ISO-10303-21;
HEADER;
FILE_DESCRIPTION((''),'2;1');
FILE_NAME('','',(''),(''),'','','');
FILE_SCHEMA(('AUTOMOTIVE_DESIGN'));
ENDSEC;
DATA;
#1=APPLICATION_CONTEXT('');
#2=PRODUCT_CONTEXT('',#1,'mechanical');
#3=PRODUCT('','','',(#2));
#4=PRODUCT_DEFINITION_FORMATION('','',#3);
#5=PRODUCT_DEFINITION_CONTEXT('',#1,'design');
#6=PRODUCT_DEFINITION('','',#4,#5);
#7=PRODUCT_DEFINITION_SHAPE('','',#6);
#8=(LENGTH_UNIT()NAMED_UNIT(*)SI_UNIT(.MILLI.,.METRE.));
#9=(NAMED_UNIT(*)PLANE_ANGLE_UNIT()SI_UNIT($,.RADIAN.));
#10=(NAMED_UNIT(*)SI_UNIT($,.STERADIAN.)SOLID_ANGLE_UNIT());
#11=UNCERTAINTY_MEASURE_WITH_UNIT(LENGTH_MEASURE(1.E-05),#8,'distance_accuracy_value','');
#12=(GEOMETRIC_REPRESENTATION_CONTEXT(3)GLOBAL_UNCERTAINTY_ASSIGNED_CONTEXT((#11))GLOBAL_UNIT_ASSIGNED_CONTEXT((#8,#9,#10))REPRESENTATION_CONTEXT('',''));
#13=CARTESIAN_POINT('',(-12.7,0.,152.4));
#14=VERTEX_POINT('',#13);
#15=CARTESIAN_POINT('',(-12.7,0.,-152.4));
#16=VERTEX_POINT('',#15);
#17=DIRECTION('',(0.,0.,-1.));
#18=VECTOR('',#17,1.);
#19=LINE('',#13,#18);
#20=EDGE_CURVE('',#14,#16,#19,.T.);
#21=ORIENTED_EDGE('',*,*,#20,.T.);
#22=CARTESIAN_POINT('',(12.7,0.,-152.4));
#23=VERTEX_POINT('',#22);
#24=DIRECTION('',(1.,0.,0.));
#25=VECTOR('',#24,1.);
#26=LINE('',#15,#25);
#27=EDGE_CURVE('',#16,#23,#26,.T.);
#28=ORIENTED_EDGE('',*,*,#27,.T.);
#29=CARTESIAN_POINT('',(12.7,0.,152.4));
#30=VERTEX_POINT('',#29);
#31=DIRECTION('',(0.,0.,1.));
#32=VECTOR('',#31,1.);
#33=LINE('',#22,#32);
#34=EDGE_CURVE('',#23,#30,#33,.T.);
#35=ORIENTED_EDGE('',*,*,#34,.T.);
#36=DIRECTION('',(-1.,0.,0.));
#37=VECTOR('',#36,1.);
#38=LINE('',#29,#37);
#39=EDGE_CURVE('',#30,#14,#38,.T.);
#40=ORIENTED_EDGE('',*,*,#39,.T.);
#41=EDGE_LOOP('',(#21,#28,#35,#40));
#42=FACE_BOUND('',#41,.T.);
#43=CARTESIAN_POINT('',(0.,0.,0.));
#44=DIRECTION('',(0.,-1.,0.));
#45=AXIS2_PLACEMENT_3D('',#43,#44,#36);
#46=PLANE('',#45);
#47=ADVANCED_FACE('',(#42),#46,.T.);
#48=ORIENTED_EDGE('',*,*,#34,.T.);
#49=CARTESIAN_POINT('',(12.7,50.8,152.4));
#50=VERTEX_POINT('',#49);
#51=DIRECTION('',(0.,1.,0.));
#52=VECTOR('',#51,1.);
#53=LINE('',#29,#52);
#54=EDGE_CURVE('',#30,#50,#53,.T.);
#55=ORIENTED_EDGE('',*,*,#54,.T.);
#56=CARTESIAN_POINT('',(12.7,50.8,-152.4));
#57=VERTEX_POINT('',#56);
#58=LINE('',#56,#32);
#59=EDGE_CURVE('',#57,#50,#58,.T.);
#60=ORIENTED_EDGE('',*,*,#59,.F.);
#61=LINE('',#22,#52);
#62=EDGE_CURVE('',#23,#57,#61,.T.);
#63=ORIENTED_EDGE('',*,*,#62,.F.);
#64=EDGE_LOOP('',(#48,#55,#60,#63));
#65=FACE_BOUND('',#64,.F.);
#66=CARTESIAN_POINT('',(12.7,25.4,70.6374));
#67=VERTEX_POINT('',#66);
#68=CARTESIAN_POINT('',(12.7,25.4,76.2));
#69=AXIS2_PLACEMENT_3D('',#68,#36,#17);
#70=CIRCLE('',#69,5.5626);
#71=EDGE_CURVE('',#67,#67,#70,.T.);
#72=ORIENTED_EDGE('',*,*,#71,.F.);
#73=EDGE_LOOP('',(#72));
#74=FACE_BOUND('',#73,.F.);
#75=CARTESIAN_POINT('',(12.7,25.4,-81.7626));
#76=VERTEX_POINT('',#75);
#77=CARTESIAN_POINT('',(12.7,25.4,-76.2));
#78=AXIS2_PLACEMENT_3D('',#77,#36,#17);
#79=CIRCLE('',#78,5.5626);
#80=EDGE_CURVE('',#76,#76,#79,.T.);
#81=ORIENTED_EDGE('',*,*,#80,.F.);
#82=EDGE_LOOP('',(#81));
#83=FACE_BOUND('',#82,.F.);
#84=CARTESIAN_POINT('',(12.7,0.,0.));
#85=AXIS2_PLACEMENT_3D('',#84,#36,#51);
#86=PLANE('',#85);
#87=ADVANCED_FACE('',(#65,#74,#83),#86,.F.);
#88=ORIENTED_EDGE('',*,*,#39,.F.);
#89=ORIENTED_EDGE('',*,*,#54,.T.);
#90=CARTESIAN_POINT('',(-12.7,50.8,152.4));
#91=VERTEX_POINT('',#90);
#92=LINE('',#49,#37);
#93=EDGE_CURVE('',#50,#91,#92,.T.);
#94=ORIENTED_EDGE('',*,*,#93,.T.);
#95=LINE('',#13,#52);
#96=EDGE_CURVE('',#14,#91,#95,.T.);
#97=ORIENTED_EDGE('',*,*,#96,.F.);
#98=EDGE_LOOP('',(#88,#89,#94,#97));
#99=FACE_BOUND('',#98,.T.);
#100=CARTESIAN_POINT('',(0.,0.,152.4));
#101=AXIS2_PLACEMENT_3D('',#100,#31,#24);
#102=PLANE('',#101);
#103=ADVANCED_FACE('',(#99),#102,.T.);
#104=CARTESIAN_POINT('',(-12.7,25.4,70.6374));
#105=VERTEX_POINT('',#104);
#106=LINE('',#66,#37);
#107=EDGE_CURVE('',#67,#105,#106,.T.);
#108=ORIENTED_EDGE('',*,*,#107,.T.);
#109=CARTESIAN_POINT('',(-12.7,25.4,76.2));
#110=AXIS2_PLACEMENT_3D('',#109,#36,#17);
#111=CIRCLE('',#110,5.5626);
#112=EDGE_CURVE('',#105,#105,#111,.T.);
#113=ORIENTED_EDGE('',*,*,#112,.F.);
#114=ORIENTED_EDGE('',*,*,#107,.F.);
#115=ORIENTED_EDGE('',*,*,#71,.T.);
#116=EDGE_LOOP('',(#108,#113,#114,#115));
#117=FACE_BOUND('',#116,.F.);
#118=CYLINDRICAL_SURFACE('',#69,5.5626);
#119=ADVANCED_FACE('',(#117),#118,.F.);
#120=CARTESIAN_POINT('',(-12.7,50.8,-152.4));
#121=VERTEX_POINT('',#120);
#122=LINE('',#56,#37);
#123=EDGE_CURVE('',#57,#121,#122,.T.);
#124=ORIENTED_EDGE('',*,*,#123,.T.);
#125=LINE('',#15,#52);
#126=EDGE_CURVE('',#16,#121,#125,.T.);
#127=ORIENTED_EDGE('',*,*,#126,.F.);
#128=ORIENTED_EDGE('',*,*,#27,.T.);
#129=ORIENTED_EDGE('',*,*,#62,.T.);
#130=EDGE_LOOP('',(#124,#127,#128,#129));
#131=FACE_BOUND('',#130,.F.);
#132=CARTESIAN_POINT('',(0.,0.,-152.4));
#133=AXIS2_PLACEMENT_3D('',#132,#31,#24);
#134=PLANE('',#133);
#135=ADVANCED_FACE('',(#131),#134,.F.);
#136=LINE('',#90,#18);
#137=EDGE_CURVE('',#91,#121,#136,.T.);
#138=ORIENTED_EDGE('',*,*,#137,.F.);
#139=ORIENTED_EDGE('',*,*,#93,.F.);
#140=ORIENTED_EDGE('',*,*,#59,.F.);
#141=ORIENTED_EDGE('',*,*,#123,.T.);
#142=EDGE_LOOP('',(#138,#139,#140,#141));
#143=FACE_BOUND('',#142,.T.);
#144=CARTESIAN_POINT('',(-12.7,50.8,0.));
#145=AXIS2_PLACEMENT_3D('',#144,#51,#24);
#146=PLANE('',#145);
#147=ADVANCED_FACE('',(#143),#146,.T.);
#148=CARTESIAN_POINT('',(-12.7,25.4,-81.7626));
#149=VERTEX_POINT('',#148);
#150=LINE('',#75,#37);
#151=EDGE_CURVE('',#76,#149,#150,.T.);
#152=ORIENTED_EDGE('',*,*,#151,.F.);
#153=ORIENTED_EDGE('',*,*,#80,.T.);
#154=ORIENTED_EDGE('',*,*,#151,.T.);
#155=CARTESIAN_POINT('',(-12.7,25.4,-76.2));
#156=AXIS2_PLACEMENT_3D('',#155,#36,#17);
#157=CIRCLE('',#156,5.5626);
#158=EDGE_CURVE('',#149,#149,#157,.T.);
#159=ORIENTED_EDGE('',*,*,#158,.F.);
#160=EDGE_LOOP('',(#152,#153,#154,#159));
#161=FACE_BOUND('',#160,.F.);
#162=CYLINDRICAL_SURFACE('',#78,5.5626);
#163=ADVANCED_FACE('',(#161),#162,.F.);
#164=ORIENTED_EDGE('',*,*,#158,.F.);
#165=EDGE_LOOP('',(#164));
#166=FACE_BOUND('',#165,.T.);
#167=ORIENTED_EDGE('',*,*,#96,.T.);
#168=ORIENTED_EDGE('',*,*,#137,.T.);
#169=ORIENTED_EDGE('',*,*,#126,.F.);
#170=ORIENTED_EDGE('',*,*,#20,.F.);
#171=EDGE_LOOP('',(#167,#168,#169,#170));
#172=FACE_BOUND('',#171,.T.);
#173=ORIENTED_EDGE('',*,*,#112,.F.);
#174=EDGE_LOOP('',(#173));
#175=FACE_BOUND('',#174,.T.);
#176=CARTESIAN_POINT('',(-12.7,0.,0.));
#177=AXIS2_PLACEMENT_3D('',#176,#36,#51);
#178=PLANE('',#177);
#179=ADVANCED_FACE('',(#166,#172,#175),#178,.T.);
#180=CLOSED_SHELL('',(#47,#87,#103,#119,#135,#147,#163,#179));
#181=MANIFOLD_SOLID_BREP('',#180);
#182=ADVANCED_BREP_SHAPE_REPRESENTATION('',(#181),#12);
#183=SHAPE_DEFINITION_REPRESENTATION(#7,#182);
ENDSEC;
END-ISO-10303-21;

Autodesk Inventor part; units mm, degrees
ref_plane "YZ Plane" through (0, 0, 0) normal (1, 0, 0) x (0, 1, 0)
ref_plane "XZ Plane" through (0, 0, 0) normal (0, 1, 0) x (-1, 0, 0)
ref_plane "XY Plane" through (0, 0, 0) normal (0, 0, 1) x (1, 0, 0)
sketch "Sketch2" plane through (0, 0, 0) normal (0, 0, 1) x (1, 0, 0)
  line L0 (0, 0) -> (12.7, 0)
  line L1 (12.7, 0) -> (12.7, 50.8)
  line L2 (12.7, 50.8) -> (0, 50.8)
  line L3 (0, 0) -> (0, 50.8) construction
  line L4 (0, 0) -> (-12.7, 0)
  line L5 (-12.7, 0) -> (-12.7, 50.8)
  line L6 (-12.7, 50.8) -> (0, 50.8)
  dimension "d0" = 12.7
  dimension "d1" = 50.8
extrude "Extrusion1" add sketch "Sketch2" along normal mid plane 304.8
sketch "Sketch3" plane through (12.7, 0, 152.4) normal (1, 0, 0) x (0, 0, -1)
  line L0 (0, 0) -> (0, 50.8) construction
  line L1 (0, 25.4) -> (304.8, 25.4) construction
  line L2 (304.8, 50.8) -> (304.8, 0) construction
  point P0 (152.4, 0)
  point P1 (76.2, 25.4)
  point P2 (228.6, 25.4)
  point P3 (184.7909, 73.7254)
  dimension "d4" = 76.2
  dimension "d5" = 76.2
hole "Hole1" at (12.7, 25.4, 76.2) at (12.7, 25.4, -76.2) at (12.7, 73.7254, -32.3909) direction (-1, 0, 0) diameter 6.7564 end through all counterbore diameter 11.1252 counterbore depth 34.29 clearance for "Socket Head Cap Screw" size "1/4" standard "Ansi Unified Screw Threads"
properties part number "RestForCuts"
